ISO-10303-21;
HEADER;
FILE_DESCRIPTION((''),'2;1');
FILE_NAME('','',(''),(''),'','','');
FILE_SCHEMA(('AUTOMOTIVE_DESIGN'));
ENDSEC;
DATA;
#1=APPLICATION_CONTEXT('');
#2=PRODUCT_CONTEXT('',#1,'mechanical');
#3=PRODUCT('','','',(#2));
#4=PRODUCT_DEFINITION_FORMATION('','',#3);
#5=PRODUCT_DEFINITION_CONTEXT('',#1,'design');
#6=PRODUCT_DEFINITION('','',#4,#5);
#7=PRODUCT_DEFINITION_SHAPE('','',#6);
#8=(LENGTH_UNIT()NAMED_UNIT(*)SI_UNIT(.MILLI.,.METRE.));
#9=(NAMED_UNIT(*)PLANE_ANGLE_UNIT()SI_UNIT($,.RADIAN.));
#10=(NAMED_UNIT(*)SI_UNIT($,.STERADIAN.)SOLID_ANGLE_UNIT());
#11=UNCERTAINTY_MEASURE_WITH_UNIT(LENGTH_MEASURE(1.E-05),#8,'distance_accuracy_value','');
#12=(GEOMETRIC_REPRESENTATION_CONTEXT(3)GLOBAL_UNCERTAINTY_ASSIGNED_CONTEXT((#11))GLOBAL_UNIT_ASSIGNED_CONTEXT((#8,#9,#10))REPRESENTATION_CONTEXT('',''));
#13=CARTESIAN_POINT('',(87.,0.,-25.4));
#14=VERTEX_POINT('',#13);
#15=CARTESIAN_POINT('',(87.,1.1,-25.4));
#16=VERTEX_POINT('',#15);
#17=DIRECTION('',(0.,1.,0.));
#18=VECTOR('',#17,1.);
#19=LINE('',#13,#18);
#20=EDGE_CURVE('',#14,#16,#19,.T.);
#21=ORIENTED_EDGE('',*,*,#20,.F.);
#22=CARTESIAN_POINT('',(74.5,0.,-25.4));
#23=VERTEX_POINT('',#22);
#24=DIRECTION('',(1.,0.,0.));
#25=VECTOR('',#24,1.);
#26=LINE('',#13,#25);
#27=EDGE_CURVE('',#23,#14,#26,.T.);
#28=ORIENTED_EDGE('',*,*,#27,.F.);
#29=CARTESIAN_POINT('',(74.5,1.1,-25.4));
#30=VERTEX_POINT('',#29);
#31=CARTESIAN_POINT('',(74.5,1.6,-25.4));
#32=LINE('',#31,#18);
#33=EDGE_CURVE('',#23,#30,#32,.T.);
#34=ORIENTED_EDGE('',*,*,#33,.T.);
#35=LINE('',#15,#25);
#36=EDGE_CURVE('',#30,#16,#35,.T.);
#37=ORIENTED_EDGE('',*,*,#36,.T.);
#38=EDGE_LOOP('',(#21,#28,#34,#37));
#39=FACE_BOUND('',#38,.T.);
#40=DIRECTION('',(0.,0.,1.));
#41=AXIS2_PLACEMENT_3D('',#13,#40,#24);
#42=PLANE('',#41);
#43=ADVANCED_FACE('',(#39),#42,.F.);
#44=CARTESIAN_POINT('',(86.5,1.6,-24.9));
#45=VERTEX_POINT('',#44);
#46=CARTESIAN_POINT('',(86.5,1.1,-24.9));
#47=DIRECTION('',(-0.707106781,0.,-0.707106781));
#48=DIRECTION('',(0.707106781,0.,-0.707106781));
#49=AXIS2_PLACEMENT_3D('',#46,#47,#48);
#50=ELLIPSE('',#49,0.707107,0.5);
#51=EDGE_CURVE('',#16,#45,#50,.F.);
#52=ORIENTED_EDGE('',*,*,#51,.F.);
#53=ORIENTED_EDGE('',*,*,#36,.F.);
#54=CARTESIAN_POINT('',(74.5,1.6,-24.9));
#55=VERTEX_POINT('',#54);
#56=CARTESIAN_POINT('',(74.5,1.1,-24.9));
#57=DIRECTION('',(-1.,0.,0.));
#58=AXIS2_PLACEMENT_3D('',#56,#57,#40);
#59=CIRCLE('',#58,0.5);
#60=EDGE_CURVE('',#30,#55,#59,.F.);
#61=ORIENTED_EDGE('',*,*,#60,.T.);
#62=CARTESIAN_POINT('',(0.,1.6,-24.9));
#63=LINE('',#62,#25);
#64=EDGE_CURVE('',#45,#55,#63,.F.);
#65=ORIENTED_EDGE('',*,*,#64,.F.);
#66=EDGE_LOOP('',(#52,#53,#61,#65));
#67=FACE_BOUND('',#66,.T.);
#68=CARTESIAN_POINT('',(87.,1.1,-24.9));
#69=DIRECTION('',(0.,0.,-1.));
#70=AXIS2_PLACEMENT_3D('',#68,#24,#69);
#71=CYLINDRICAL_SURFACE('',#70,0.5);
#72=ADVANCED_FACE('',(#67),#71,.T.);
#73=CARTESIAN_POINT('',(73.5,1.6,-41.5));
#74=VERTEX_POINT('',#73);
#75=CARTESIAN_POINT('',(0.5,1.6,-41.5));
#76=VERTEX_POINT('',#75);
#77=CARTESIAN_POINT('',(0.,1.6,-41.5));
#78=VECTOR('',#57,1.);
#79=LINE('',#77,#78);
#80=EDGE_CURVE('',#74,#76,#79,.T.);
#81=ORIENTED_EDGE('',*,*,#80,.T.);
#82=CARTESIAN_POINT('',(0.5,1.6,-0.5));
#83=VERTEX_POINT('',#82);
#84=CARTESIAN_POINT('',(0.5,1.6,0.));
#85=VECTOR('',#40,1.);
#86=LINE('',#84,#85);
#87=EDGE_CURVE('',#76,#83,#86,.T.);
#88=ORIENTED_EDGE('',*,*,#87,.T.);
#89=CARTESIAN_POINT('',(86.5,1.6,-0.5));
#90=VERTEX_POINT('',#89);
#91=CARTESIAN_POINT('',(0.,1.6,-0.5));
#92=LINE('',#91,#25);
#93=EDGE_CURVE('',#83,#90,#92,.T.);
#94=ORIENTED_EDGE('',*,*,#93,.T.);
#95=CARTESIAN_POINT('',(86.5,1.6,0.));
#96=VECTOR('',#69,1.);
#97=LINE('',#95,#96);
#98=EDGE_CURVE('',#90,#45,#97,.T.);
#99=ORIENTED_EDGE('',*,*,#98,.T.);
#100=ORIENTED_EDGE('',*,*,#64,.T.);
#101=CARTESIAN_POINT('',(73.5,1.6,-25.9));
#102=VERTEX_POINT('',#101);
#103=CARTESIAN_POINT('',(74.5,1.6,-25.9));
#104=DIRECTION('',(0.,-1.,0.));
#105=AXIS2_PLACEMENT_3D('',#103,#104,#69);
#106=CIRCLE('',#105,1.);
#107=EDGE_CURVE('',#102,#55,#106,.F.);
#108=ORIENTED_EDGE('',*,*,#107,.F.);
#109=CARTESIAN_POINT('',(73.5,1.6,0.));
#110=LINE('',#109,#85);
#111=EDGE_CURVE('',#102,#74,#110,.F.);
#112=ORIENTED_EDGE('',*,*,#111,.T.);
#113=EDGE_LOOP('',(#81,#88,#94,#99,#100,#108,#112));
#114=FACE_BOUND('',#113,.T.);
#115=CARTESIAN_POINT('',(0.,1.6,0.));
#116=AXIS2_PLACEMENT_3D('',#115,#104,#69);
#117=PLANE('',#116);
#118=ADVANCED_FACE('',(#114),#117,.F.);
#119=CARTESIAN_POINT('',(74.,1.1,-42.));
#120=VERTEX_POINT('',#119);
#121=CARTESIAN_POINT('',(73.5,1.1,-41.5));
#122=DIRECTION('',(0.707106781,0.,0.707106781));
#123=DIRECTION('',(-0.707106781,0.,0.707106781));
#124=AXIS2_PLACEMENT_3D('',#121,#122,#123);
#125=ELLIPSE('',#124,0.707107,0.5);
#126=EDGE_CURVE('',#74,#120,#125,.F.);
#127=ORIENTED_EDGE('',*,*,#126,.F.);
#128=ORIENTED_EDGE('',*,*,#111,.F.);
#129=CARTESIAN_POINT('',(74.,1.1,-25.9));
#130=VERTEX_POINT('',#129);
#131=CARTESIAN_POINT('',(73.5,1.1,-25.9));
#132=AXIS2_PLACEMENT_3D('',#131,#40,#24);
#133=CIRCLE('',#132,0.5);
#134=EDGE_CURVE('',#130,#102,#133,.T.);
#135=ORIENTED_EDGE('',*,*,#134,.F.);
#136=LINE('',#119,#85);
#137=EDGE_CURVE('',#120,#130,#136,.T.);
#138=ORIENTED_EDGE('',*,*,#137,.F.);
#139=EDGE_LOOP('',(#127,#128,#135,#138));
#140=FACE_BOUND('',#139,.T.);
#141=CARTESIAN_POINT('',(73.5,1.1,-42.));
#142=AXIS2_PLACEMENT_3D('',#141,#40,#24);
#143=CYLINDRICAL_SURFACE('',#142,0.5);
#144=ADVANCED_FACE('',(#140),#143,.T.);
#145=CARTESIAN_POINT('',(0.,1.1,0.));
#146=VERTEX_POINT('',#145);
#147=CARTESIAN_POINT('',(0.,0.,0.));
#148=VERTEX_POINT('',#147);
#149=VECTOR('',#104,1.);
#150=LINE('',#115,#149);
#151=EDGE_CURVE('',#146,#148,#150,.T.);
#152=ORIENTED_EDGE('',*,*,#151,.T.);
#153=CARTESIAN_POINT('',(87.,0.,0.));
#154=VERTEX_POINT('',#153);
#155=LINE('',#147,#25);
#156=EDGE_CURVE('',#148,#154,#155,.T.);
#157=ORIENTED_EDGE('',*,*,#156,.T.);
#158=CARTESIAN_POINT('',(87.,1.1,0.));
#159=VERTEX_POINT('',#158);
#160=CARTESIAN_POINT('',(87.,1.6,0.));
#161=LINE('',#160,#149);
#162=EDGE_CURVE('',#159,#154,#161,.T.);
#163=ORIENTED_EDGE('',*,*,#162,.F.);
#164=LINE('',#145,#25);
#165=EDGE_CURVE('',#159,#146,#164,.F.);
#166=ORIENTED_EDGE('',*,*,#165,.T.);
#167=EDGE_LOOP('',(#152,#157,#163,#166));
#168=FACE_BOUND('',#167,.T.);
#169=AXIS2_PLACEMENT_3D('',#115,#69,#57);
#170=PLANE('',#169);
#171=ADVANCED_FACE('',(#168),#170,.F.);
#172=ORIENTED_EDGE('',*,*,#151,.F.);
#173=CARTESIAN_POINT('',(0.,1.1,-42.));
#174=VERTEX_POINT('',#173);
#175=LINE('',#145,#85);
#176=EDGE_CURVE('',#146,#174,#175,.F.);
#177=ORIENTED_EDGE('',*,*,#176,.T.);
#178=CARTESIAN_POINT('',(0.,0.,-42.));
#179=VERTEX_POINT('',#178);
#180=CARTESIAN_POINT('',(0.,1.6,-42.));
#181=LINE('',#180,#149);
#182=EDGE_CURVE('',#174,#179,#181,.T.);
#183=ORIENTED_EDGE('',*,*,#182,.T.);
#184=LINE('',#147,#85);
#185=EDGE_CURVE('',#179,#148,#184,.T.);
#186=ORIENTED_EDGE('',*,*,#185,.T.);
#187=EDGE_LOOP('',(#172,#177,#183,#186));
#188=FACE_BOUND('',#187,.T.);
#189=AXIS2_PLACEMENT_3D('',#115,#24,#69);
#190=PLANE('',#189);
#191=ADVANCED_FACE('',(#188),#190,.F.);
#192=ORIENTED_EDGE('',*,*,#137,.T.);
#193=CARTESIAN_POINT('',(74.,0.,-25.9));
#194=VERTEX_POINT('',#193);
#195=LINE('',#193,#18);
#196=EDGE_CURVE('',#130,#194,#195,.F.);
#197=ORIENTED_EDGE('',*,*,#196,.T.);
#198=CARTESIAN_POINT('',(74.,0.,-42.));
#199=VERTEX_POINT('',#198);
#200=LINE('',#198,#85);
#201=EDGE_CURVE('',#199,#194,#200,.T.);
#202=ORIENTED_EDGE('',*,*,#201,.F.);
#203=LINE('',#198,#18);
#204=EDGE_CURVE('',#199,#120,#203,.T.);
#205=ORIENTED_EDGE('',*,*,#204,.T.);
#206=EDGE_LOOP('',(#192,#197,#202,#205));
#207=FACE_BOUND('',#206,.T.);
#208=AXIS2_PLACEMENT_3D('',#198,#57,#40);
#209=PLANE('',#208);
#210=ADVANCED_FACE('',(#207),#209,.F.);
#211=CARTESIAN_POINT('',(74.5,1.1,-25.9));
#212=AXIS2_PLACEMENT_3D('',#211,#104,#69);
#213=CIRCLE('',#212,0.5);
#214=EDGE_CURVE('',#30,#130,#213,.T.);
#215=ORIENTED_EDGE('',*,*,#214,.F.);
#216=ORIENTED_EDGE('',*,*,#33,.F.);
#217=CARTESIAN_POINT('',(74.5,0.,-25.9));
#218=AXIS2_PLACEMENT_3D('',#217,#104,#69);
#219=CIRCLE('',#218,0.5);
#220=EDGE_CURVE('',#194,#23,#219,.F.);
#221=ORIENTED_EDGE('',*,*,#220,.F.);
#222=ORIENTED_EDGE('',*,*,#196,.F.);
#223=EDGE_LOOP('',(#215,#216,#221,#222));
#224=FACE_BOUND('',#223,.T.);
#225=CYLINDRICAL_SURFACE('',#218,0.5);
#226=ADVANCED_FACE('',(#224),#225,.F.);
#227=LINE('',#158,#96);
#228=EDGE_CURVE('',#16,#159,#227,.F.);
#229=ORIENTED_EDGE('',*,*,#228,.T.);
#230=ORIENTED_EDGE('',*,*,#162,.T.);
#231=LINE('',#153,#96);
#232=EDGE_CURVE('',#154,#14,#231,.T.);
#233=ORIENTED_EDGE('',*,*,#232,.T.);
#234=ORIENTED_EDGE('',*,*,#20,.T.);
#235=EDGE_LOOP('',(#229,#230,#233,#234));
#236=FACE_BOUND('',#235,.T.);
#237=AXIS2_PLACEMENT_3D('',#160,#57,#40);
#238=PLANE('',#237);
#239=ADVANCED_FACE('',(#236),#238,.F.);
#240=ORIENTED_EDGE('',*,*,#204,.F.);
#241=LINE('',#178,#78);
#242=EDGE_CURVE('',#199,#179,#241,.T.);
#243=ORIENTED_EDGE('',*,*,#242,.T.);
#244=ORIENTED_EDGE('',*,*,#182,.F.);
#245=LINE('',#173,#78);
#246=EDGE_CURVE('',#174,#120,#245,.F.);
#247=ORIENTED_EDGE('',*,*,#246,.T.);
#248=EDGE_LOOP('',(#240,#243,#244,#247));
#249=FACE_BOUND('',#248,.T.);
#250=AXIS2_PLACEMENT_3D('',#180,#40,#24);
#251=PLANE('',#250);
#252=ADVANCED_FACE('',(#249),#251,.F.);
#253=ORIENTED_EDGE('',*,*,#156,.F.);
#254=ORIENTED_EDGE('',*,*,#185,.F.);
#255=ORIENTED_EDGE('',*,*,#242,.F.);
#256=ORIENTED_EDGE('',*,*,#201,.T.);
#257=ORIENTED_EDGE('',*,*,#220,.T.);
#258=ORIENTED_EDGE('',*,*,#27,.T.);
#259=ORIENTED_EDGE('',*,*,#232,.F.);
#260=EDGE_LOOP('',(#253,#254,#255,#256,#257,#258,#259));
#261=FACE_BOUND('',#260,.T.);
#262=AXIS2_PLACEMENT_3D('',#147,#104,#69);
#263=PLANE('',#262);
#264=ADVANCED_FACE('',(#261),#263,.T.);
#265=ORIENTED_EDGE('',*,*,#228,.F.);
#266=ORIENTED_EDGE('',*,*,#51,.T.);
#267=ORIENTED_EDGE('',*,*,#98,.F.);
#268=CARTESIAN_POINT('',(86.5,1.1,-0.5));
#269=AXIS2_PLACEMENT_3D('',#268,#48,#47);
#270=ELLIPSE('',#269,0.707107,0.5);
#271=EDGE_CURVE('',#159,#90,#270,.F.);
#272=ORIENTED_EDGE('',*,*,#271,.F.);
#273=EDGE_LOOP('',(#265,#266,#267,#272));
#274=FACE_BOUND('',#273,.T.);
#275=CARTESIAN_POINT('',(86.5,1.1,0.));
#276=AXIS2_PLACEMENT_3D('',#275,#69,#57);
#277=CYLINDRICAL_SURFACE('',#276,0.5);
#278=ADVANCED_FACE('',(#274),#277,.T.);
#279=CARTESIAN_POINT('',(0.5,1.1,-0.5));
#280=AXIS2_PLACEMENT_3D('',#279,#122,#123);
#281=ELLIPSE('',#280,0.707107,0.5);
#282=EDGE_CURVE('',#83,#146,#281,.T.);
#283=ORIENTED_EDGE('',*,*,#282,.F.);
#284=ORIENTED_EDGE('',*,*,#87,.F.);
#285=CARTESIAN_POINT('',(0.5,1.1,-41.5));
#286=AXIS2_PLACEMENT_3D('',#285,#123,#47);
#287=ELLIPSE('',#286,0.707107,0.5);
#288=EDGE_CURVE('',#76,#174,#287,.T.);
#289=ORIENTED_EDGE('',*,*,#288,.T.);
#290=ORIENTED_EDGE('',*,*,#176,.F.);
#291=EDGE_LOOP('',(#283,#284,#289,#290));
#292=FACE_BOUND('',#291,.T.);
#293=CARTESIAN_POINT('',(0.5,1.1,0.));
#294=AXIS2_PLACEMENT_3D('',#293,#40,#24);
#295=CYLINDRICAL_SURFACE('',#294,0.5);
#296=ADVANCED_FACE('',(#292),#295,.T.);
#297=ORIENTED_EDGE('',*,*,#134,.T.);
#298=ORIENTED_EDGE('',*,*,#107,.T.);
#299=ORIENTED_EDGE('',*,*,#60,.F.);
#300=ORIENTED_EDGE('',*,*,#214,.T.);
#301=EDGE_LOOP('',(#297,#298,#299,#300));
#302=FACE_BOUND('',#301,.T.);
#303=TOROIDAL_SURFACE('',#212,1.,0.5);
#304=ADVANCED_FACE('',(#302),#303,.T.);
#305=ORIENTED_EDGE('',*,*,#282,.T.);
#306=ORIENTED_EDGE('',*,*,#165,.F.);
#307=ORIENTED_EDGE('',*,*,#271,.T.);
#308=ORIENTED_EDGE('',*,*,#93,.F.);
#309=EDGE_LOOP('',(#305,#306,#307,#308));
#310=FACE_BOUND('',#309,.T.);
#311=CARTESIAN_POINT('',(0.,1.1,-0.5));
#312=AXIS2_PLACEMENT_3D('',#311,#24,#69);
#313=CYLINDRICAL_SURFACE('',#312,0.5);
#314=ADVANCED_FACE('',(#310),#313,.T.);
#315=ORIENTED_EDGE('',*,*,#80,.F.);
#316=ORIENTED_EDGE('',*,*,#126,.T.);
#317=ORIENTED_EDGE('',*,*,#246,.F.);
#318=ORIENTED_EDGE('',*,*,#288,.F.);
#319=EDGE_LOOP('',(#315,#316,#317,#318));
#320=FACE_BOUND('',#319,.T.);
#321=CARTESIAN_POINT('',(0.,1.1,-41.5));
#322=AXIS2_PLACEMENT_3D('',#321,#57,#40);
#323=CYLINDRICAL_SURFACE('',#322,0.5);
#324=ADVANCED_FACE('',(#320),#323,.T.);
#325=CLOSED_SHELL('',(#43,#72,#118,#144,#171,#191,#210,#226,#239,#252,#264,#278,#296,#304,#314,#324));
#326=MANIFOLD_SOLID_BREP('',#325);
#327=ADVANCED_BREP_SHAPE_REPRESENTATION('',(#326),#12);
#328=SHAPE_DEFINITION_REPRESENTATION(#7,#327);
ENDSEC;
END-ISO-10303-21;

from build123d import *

# Parameters (mm, degrees)
SKETCH_55_W         = 87
SKETCH_55_H         = 42
EXTRUDE_1_DEPTH     = 1.6
SKETCH_56_W         = 13
SKETCH_56_H         = 16.6
CUT_EXTRUDE_1_DEPTH = 1.6
FILLET_1_R          = 0.5


with BuildPart() as part:
    # Эскиз55 → Бобышка-Вытянуть1 (new body)
    with BuildSketch(Plane(origin=(0, 0, 0), x_dir=(1, 0, 0), z_dir=(0, 1, 0))):
        with Locations((43.5, 21)):
            Rectangle(SKETCH_55_W, SKETCH_55_H)
    extrude(amount=EXTRUDE_1_DEPTH)

    # Эскиз56 → Вырез-Вытянуть1 (cut)
    with BuildSketch(Plane(origin=(0, 1.6, 0), x_dir=(1, 0, 0), z_dir=(0, 1, 0))):
        with Locations((80.5, 33.7)):
            Rectangle(SKETCH_56_W, SKETCH_56_H)
    extrude(amount=-CUT_EXTRUDE_1_DEPTH, mode=Mode.SUBTRACT)

    # Скругление1
    fillet_1_edges = [part.edges().sort_by_distance(p)[0] for p in [
        (87, 1.6, -12.7),
        (37, 1.6, -42),
        (74, 0.8, -25.4),
        (74, 1.6, -33.7),
        (80.5, 1.6, -25.4),
        (0, 1.6, -21),
        (43.5, 1.6, 0),
    ]]
    fillet(fillet_1_edges, radius=FILLET_1_R)


solid = part.part
